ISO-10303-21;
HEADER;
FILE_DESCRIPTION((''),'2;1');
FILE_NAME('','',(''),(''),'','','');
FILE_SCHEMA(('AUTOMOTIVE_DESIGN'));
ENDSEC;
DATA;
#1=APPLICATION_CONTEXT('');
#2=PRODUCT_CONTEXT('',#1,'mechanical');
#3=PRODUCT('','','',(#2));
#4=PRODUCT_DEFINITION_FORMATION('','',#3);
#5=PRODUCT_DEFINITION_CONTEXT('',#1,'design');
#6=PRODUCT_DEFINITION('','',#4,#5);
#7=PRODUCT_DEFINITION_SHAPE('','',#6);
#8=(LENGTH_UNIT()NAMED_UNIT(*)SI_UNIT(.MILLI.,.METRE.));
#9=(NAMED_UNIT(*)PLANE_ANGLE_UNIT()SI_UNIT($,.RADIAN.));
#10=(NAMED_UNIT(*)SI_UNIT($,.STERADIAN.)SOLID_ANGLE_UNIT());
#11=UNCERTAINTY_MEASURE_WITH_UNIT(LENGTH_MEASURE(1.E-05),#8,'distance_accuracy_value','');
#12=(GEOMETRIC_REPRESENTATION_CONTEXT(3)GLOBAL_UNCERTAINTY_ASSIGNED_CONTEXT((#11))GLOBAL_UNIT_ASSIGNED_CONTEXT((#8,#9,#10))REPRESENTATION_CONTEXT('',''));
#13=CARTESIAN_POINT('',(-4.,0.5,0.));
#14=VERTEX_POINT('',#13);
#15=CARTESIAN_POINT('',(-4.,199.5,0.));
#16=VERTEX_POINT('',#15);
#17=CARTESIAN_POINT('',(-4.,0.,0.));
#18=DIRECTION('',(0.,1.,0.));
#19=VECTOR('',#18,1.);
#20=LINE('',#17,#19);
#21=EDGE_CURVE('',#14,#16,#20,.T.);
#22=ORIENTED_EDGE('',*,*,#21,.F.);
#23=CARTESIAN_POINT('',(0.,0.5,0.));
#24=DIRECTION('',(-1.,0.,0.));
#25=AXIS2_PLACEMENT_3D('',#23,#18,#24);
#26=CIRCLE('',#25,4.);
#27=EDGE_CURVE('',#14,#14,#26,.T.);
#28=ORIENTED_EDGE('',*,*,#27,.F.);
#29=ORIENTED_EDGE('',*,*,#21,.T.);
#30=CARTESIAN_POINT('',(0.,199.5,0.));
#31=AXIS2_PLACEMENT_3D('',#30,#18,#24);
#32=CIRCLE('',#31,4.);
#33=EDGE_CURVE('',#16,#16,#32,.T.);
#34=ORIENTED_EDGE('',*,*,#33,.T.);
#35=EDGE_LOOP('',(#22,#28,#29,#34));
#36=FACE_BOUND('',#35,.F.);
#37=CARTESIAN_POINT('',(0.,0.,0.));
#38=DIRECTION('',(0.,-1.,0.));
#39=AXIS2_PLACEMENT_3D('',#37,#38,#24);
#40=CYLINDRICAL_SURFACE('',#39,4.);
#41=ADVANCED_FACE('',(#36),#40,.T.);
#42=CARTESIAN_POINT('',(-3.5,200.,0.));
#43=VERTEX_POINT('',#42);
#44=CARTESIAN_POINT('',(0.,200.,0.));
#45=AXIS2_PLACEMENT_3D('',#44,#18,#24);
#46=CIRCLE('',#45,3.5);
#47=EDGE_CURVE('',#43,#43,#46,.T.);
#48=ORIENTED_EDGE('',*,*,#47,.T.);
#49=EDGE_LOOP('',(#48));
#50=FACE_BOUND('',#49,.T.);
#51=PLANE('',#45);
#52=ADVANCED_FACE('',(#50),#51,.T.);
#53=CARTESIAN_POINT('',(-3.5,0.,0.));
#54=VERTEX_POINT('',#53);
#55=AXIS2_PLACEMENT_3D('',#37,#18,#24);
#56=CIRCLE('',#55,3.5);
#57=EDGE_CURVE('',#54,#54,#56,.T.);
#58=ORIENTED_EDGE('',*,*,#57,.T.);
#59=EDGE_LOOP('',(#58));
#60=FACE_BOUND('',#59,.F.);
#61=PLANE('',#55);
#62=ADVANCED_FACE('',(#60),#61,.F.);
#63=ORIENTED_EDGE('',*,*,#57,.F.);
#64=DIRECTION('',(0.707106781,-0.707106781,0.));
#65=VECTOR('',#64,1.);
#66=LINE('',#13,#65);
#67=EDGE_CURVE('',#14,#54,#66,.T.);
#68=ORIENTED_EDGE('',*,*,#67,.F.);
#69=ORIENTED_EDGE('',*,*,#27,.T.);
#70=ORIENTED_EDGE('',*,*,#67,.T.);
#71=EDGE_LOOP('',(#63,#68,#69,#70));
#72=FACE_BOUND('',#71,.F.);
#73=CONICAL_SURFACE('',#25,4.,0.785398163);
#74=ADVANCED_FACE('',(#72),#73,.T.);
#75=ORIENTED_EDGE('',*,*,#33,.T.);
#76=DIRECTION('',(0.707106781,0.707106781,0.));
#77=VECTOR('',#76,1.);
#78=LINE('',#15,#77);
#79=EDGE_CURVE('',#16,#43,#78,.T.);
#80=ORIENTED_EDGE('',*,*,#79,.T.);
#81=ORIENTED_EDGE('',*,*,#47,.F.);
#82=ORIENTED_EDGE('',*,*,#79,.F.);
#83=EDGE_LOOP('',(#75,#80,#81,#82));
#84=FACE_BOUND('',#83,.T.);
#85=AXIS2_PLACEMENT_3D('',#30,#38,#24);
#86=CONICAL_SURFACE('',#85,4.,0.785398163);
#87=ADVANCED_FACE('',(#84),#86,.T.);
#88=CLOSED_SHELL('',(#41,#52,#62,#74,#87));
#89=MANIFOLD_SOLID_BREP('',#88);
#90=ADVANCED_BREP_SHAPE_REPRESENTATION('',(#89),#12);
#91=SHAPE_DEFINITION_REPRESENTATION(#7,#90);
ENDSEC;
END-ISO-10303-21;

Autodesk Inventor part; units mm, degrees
ref_plane "YZ Plane" through (0, 0, 0) normal (1, 0, 0) x (0, 1, 0)
ref_plane "XZ Plane" through (0, 0, 0) normal (0, 1, 0) x (-1, 0, 0)
ref_plane "XY Plane" through (0, 0, 0) normal (0, 0, 1) x (1, 0, 0)
sketch "Sketch1" plane through (0, 0, 0) normal (0, 1, 0) x (-1, 0, 0)
  circle A0 centre (0, 0) radius 4
  dimension "d0" = 8
extrude "Extrusion1" add sketch "Sketch1" along normal blind 200
chamfer "Chamfer1" distance 0.5 angle 45 2 edges at (4, 200, 0) (4, 0, 0)
thread "Thread1" size "M8x1.25" class "6g" standard "ANSI Metric M Profile" full length
properties part number "ThreadedRod"
